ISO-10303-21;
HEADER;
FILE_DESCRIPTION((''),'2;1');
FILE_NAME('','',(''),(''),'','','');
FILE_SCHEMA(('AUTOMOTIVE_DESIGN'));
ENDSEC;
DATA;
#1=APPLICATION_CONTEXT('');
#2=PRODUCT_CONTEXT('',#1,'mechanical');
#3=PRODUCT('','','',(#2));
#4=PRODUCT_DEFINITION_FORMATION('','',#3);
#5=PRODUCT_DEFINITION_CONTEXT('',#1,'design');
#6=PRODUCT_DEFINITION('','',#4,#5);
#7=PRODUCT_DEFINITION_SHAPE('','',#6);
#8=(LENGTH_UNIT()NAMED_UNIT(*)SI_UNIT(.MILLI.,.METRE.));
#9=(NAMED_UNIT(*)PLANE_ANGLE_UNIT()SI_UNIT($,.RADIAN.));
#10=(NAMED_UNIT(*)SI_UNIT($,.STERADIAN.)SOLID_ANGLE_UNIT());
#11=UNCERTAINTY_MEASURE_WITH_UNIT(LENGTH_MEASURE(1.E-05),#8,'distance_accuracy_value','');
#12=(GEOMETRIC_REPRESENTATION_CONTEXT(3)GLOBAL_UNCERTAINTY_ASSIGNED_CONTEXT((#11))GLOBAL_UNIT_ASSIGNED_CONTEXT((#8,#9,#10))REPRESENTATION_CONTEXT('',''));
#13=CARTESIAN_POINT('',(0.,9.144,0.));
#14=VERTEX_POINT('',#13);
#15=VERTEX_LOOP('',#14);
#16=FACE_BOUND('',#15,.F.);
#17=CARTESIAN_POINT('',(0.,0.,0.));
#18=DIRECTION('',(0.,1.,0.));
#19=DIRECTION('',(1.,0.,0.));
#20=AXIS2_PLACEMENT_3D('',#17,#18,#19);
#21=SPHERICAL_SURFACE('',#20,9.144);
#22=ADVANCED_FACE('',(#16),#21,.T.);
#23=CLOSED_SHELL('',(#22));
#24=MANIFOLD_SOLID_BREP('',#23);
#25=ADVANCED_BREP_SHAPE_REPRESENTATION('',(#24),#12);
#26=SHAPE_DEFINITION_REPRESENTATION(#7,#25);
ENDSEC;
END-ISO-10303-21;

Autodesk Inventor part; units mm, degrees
ref_plane "YZ Plane" through (0, 0, 0) normal (1, 0, 0) x (0, 1, 0)
ref_plane "XZ Plane" through (0, 0, 0) normal (0, 1, 0) x (-1, 0, 0)
ref_plane "XY Plane" through (0, 0, 0) normal (0, 0, 1) x (1, 0, 0)
sketch "Sketch1" plane through (0, 0, 0) normal (0, 0, 1) x (1, 0, 0)
  arc A0 (0, -9.144) -> (0, 9.144) centre (0, 0) ccw
  line L0 (0, 9.144) -> (0, -9.144)
  dimension "d0" = 18.288
revolve "Revolution1" add sketch "Sketch1" angle 360 about axis through (0, 9.144, 0) along (0, -1, 0)
properties part number "RTS Marble"
